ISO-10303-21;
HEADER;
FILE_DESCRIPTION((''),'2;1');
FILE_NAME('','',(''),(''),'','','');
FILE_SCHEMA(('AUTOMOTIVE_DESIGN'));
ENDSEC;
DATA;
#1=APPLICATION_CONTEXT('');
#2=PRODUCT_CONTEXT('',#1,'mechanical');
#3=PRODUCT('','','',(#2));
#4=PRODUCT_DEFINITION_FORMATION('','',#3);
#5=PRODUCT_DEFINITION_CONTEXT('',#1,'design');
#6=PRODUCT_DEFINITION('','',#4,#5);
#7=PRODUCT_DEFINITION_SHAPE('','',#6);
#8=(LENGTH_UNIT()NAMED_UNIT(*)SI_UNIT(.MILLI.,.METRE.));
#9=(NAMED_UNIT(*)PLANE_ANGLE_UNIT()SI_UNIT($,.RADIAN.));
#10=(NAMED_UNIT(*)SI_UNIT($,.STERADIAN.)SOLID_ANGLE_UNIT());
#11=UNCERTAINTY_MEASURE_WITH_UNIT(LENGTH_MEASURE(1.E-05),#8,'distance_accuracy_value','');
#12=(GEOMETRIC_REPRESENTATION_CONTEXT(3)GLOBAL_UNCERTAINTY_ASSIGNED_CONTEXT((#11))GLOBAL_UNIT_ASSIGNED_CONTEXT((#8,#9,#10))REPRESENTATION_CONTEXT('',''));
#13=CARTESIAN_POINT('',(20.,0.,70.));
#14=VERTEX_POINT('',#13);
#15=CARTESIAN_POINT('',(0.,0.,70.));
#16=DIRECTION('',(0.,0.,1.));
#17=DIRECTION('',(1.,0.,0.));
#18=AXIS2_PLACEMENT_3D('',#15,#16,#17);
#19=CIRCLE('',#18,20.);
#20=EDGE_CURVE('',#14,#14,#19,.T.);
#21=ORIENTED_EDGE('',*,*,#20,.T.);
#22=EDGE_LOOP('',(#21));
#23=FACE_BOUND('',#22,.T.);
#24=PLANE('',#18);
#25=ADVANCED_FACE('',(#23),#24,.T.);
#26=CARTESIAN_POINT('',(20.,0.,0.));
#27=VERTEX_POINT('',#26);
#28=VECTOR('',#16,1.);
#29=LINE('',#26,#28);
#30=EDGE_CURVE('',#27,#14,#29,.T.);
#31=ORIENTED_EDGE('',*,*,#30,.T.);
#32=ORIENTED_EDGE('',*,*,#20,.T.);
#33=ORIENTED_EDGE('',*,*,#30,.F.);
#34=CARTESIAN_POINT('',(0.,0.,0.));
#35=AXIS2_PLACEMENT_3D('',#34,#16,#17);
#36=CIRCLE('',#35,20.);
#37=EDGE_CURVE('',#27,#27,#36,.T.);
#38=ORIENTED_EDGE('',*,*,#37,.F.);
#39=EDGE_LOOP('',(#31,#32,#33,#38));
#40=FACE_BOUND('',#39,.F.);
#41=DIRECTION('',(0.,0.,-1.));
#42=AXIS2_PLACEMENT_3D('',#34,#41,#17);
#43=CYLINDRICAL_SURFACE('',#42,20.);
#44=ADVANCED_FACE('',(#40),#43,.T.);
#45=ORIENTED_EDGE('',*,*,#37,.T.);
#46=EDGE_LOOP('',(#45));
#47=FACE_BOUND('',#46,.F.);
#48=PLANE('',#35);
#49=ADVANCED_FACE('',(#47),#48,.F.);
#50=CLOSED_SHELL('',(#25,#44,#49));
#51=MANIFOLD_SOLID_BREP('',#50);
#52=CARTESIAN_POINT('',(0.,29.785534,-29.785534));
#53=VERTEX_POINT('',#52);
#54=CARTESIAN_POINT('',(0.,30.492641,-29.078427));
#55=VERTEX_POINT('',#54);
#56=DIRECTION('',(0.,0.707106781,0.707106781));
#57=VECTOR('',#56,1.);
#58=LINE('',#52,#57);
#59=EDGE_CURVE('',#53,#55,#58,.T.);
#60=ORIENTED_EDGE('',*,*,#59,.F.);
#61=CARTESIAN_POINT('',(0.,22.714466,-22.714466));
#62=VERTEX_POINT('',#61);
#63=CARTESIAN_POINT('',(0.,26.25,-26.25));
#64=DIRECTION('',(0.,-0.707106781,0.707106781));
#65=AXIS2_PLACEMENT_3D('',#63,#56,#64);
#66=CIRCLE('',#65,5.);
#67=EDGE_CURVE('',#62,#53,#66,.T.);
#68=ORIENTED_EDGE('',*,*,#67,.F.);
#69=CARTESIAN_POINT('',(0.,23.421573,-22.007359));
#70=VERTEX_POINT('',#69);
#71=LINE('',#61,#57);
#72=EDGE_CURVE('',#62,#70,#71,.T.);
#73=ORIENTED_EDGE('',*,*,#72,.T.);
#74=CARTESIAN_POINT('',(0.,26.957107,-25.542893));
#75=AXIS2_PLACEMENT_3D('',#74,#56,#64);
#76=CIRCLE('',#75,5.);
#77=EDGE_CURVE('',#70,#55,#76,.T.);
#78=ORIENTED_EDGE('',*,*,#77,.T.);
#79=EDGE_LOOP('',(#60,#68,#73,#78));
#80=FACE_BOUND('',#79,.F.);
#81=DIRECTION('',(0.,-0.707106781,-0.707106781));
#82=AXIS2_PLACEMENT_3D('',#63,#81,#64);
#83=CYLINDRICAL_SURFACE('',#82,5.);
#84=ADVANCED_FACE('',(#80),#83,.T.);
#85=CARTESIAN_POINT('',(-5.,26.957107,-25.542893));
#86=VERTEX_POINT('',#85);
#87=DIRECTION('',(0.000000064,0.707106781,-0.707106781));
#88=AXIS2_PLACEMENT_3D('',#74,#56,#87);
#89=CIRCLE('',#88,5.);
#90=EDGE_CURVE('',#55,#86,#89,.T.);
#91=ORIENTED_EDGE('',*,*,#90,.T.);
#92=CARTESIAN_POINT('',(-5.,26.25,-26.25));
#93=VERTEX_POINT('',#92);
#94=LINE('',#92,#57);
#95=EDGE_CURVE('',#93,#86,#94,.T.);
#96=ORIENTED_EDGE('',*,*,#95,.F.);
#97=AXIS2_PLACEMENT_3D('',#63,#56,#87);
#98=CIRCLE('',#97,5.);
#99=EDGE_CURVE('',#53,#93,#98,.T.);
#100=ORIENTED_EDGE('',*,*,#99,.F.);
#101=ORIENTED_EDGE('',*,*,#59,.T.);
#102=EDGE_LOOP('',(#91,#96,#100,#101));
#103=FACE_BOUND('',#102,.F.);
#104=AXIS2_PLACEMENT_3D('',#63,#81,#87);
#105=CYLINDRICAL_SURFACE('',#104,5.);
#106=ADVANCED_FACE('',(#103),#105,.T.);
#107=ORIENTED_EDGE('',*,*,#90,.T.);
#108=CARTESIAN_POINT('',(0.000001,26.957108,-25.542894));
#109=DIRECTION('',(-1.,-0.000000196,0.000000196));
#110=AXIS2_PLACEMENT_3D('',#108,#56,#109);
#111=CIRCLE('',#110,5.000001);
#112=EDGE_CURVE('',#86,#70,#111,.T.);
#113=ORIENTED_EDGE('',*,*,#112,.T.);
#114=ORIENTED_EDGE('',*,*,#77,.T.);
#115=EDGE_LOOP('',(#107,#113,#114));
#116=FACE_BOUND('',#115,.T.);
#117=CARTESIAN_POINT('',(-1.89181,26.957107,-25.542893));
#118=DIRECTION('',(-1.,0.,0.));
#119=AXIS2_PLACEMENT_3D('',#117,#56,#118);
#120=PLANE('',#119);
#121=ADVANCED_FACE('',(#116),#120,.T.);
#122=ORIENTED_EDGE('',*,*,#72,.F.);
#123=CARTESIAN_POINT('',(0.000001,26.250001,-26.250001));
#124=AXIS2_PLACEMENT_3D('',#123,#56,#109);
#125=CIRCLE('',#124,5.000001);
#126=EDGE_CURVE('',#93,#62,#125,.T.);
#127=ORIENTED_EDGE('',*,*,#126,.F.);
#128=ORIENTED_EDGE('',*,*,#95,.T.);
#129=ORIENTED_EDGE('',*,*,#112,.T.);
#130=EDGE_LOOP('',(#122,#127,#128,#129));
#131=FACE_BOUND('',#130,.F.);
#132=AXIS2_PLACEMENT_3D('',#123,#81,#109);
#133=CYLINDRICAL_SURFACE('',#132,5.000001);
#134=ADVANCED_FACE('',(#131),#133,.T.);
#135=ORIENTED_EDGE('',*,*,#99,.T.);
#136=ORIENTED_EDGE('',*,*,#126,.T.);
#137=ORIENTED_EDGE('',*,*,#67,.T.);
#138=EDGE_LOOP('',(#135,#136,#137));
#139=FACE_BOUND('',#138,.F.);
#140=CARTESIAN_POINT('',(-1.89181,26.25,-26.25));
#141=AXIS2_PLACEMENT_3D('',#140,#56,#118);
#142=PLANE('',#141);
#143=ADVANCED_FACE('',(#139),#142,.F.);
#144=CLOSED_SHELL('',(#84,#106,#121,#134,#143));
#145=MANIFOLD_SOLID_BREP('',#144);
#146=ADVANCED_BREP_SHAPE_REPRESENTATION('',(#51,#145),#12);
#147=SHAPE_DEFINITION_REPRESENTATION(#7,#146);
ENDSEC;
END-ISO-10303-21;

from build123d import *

# Parameters (mm, degrees)
F0_R     = 20
F1_DEPTH = 70
F5_DEPTH = 1


with BuildPart() as f1:
    # F0 (on Top) → F1 (new body)
    with BuildSketch(Plane.XY):
        Circle(F0_R)
    extrude(amount=F1_DEPTH)


with BuildPart() as f5:
    # F4 (on face) → F5 (new body)
    with BuildSketch(Plane(origin=(0, 0, 0), x_dir=(-1, 0, 0), z_dir=(0, 0.707107, 0.707107))):
        with BuildLine():
            ThreePointArc((0, -42.123106), (3.535534, -40.65864), (5, -37.123106))
            ThreePointArc((5, -37.123106), (3.535534, -33.587573), (0, -32.123106))
            Line((0, -32.123106), (0, -42.123106))
        make_face()
        with BuildLine():
            Line((0, -42.123106), (0, -32.123106))
            ThreePointArc((0, -32.123106), (-5, -37.123106), (0, -42.123106))
        make_face()
    extrude(amount=F5_DEPTH)


solid = Compound([f1.part, f5.part])
